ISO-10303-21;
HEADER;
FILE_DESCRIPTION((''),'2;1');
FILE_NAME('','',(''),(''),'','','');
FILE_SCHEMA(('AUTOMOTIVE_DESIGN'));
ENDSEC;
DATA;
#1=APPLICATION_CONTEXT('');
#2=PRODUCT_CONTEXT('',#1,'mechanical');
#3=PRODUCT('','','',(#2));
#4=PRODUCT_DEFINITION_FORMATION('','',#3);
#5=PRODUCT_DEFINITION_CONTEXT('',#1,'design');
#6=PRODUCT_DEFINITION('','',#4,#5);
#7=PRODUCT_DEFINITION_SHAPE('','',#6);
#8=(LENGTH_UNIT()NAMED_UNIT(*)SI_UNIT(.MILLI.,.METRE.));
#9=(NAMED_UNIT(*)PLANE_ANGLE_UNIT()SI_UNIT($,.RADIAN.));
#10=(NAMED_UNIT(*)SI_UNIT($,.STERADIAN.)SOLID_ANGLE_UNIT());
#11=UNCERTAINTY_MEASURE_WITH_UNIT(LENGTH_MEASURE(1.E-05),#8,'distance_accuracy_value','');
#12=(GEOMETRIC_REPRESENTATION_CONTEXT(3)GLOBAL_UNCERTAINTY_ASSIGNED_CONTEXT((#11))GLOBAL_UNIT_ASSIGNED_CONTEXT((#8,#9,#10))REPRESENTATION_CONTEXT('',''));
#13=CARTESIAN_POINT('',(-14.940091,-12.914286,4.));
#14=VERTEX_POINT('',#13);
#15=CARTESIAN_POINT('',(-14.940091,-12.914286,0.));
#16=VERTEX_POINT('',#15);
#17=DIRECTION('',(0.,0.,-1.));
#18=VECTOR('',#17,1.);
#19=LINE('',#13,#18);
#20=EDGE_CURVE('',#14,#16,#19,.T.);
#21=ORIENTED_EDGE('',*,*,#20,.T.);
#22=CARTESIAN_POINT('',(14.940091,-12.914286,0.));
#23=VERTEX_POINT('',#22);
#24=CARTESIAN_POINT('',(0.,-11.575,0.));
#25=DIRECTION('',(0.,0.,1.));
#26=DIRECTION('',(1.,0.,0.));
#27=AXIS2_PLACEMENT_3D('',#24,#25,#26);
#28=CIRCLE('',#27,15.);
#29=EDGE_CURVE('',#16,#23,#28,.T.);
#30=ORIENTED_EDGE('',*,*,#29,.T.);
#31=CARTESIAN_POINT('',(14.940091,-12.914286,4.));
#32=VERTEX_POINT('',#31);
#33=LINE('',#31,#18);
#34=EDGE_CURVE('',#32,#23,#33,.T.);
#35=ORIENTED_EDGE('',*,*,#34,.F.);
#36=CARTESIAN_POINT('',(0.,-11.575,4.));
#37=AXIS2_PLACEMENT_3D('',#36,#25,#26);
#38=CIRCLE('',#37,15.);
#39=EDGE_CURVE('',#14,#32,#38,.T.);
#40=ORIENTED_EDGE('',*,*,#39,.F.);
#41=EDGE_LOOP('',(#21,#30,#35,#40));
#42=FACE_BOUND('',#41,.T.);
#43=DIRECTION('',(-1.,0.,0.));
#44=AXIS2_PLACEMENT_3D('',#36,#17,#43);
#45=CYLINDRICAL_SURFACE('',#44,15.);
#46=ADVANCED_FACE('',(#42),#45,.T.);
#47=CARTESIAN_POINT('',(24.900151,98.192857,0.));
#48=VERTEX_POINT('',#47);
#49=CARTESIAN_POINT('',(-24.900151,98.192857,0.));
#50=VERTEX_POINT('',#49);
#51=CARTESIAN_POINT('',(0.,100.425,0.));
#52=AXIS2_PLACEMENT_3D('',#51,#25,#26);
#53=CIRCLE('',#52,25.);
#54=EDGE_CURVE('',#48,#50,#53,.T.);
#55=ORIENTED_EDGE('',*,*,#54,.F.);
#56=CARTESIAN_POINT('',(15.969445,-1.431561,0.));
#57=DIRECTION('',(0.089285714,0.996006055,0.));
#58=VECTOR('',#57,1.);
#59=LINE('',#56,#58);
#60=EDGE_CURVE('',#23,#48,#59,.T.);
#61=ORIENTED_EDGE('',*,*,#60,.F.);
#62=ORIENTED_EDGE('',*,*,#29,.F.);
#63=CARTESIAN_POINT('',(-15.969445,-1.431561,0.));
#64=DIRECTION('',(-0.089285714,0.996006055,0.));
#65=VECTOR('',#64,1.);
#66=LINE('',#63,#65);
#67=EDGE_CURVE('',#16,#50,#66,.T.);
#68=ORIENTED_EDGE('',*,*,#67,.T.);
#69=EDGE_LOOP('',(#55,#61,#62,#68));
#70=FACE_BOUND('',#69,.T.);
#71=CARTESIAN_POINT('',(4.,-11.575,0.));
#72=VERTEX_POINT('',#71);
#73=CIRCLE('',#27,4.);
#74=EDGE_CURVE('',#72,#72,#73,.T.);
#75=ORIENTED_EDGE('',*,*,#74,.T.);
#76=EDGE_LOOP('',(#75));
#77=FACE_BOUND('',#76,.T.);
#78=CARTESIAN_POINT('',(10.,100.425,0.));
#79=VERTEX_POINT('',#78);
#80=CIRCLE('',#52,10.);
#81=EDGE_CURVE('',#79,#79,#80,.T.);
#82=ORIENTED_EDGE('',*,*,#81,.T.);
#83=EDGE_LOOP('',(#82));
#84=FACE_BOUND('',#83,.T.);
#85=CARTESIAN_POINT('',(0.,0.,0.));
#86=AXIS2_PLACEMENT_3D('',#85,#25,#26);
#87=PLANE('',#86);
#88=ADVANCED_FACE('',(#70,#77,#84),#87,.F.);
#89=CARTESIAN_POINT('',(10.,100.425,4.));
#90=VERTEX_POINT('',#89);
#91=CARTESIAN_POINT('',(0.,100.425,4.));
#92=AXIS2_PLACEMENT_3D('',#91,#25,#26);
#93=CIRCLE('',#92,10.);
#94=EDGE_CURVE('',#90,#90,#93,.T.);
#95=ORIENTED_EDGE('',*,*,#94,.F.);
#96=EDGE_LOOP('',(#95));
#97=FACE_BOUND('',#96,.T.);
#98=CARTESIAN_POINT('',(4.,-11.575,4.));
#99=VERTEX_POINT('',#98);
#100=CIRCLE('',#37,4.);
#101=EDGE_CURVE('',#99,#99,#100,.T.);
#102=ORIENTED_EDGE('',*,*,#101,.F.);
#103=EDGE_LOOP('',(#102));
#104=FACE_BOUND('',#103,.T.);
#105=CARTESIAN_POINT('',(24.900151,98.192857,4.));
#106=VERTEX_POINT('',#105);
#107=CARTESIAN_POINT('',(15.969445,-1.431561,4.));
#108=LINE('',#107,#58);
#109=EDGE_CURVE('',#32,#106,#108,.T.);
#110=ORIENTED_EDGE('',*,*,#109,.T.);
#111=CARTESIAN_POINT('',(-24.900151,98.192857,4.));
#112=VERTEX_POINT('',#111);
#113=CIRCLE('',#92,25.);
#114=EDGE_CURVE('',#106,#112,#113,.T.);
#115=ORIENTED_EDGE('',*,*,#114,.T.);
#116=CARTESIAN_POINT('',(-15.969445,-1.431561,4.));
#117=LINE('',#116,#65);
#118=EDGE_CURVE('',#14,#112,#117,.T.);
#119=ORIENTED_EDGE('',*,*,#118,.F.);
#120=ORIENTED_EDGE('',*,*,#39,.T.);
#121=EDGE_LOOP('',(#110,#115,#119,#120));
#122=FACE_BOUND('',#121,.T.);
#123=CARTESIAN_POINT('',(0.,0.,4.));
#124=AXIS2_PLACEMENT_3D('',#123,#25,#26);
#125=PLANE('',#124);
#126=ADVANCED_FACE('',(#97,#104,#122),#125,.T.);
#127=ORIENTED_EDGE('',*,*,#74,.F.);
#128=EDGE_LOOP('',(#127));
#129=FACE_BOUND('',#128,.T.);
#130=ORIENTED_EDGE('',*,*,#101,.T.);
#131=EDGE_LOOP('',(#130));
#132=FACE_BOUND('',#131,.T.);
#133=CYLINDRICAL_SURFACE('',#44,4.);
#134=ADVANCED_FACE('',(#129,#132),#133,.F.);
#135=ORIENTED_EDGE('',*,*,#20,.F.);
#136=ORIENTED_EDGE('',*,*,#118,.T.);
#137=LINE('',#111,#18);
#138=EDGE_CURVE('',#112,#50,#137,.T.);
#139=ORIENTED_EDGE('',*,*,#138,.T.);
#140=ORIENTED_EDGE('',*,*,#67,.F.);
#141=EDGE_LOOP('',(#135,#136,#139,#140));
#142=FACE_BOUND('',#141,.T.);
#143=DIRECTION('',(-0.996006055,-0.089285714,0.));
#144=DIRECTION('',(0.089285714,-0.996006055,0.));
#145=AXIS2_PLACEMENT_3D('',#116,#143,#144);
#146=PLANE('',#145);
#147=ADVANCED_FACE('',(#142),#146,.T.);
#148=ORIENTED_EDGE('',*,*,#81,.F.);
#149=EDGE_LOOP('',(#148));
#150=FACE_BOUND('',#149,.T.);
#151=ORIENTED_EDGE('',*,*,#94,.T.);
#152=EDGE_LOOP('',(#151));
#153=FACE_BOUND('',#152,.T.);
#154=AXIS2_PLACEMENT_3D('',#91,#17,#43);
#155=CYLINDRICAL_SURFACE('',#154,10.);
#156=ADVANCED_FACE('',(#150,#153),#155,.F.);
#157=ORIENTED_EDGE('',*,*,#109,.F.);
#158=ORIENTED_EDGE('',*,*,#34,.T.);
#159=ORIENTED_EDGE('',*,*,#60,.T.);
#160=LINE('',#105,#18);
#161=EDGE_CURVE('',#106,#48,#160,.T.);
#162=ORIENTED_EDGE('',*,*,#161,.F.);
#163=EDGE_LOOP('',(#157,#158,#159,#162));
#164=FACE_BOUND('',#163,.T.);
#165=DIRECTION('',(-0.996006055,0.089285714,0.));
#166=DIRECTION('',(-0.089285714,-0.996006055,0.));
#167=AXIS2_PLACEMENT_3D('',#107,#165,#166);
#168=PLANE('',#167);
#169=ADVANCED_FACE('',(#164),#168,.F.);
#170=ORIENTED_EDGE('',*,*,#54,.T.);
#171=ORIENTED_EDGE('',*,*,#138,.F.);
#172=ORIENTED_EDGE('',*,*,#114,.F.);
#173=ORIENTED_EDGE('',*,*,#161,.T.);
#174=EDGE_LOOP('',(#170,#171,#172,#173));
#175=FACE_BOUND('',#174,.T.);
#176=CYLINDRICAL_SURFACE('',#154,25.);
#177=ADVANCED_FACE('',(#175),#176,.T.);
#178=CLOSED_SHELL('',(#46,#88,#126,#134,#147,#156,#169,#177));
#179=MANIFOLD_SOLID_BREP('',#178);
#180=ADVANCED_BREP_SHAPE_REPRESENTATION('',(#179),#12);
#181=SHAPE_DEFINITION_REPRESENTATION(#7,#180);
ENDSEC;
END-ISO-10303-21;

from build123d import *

# Parameters (mm, degrees)
CROQUIS1_R              = 4
CROQUIS1_R_2            = 10
SALIENTE_EXTRUIR1_DEPTH = 4


with BuildPart() as part:
    # Croquis1 → Saliente-Extruir1 (new body)
    with BuildSketch(Plane.XY):
        with BuildLine():
            Line((-24.90015137, 98.192857143), (-14.940090822, -12.914285714))
            ThreePointArc((-14.940090822, -12.914285714), (0, -26.575), (14.940090822, -12.914285714))
            Line((14.940090822, -12.914285714), (24.90015137, 98.192857143))
            ThreePointArc((24.90015137, 98.192857143), (0, 125.425), (-24.90015137, 98.192857143))
        make_face()
        with Locations((0, -11.575)):
            Circle(CROQUIS1_R, mode=Mode.SUBTRACT)
        with Locations((0, 100.425)):
            Circle(CROQUIS1_R_2, mode=Mode.SUBTRACT)
    extrude(amount=SALIENTE_EXTRUIR1_DEPTH)


solid = part.part
